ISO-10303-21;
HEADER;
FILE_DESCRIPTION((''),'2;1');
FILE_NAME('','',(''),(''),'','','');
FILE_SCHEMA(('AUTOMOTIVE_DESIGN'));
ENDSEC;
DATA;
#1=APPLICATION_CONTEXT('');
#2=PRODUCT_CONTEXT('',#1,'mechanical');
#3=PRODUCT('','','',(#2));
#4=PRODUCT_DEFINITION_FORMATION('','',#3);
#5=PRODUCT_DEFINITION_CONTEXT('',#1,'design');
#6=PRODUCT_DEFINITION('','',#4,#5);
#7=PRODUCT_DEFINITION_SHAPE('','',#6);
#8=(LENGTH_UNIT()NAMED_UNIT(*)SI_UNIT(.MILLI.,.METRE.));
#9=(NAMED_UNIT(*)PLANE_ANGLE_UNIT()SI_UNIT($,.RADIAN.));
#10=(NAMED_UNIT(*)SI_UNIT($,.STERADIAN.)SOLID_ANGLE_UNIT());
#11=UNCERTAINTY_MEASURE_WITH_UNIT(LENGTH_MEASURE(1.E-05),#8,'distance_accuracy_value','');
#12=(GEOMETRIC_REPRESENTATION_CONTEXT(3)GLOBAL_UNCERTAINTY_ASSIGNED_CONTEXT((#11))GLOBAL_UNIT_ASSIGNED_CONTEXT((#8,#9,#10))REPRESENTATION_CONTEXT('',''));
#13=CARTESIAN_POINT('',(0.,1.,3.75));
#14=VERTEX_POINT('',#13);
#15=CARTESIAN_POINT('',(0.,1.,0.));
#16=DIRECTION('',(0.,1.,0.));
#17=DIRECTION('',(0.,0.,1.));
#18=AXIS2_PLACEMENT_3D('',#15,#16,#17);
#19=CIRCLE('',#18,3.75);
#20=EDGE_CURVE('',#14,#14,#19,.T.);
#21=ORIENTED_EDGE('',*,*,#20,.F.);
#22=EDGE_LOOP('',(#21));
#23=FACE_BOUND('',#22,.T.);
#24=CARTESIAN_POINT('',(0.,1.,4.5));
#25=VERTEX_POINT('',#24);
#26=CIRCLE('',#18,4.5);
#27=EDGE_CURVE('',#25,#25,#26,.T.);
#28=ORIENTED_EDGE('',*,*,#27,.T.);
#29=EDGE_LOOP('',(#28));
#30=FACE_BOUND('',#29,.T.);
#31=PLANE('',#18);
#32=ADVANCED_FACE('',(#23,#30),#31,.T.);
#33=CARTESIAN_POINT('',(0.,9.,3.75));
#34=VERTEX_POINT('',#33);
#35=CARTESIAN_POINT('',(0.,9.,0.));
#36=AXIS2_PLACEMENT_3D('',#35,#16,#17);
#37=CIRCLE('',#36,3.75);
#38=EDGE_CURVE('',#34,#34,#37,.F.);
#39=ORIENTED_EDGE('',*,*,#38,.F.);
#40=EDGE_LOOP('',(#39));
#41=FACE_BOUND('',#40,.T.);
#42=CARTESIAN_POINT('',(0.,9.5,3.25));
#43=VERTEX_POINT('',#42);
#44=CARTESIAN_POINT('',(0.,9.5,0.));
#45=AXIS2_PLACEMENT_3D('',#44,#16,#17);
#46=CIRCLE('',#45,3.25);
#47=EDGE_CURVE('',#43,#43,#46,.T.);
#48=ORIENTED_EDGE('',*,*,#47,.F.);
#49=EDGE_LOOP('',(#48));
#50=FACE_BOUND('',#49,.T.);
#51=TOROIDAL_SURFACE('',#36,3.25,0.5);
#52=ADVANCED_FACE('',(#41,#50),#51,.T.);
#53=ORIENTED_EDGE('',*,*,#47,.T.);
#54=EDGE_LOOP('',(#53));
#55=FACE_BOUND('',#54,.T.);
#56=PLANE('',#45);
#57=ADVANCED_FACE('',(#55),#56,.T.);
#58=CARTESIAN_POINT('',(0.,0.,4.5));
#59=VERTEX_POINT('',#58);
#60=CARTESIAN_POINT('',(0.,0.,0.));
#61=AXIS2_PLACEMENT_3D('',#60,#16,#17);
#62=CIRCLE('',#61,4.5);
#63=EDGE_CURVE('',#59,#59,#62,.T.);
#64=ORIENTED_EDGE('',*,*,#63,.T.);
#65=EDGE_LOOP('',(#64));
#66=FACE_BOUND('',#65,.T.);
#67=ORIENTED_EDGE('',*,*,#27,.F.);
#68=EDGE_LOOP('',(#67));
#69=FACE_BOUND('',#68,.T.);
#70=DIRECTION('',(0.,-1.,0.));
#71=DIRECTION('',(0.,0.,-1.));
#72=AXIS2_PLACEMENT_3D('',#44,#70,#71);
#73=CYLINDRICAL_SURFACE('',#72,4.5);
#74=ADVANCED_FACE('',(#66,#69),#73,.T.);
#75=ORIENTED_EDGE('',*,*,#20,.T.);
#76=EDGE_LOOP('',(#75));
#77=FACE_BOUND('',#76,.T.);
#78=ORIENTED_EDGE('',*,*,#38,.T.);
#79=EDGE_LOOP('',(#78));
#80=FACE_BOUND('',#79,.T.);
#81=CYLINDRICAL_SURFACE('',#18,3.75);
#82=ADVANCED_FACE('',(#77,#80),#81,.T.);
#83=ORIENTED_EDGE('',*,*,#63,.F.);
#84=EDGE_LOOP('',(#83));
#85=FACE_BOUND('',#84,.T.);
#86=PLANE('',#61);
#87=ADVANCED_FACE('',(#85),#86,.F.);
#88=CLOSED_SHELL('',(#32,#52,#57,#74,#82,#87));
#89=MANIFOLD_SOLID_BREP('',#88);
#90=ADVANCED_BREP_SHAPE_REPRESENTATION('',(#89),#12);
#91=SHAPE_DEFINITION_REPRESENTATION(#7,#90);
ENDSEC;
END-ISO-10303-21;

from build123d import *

# Parameters (mm, degrees)
CROQUIS1_R              = 4.5
SALIENTE_EXTRUIR1_DEPTH = 9.5
CORTAR_EXTRUIR1_START   = -8.5
CROQUIS2_R              = 4.5
CROQUIS2_R_2            = 3.75
CORTAR_EXTRUIR1_DEPTH   = 8.5
REDONDEO1_R             = 0.5


with BuildPart() as part:
    # Croquis1 → Saliente-Extruir1 (new body)
    with BuildSketch(Plane(origin=(0, 0, 0), x_dir=(1, 0, 0), z_dir=(0, 1, 0))):
        with Locations(Location((0, 0, 0), (0, 0, 270))):
            Circle(CROQUIS1_R)
    extrude(amount=SALIENTE_EXTRUIR1_DEPTH)

    # Croquis2 → Cortar-Extruir1 (cut)
    with BuildSketch(Plane(origin=(0, 9.5, 0), x_dir=(1, 0, 0), z_dir=(0, 1, 0)).offset(CORTAR_EXTRUIR1_START)):
        with Locations(Location((0, 0, 0), (0, 0, 270))):
            Circle(CROQUIS2_R)
        with Locations(Location((0, 0, 0), (0, 0, 270))):
            Circle(CROQUIS2_R_2, mode=Mode.SUBTRACT)
    extrude(amount=CORTAR_EXTRUIR1_DEPTH, mode=Mode.SUBTRACT)

    # Redondeo1
    redondeo1_edges = [part.edges().sort_by_distance(p)[0] for p in [
        (0, 9.5, -3.75),
    ]]
    fillet(redondeo1_edges, radius=REDONDEO1_R)


solid = part.part
